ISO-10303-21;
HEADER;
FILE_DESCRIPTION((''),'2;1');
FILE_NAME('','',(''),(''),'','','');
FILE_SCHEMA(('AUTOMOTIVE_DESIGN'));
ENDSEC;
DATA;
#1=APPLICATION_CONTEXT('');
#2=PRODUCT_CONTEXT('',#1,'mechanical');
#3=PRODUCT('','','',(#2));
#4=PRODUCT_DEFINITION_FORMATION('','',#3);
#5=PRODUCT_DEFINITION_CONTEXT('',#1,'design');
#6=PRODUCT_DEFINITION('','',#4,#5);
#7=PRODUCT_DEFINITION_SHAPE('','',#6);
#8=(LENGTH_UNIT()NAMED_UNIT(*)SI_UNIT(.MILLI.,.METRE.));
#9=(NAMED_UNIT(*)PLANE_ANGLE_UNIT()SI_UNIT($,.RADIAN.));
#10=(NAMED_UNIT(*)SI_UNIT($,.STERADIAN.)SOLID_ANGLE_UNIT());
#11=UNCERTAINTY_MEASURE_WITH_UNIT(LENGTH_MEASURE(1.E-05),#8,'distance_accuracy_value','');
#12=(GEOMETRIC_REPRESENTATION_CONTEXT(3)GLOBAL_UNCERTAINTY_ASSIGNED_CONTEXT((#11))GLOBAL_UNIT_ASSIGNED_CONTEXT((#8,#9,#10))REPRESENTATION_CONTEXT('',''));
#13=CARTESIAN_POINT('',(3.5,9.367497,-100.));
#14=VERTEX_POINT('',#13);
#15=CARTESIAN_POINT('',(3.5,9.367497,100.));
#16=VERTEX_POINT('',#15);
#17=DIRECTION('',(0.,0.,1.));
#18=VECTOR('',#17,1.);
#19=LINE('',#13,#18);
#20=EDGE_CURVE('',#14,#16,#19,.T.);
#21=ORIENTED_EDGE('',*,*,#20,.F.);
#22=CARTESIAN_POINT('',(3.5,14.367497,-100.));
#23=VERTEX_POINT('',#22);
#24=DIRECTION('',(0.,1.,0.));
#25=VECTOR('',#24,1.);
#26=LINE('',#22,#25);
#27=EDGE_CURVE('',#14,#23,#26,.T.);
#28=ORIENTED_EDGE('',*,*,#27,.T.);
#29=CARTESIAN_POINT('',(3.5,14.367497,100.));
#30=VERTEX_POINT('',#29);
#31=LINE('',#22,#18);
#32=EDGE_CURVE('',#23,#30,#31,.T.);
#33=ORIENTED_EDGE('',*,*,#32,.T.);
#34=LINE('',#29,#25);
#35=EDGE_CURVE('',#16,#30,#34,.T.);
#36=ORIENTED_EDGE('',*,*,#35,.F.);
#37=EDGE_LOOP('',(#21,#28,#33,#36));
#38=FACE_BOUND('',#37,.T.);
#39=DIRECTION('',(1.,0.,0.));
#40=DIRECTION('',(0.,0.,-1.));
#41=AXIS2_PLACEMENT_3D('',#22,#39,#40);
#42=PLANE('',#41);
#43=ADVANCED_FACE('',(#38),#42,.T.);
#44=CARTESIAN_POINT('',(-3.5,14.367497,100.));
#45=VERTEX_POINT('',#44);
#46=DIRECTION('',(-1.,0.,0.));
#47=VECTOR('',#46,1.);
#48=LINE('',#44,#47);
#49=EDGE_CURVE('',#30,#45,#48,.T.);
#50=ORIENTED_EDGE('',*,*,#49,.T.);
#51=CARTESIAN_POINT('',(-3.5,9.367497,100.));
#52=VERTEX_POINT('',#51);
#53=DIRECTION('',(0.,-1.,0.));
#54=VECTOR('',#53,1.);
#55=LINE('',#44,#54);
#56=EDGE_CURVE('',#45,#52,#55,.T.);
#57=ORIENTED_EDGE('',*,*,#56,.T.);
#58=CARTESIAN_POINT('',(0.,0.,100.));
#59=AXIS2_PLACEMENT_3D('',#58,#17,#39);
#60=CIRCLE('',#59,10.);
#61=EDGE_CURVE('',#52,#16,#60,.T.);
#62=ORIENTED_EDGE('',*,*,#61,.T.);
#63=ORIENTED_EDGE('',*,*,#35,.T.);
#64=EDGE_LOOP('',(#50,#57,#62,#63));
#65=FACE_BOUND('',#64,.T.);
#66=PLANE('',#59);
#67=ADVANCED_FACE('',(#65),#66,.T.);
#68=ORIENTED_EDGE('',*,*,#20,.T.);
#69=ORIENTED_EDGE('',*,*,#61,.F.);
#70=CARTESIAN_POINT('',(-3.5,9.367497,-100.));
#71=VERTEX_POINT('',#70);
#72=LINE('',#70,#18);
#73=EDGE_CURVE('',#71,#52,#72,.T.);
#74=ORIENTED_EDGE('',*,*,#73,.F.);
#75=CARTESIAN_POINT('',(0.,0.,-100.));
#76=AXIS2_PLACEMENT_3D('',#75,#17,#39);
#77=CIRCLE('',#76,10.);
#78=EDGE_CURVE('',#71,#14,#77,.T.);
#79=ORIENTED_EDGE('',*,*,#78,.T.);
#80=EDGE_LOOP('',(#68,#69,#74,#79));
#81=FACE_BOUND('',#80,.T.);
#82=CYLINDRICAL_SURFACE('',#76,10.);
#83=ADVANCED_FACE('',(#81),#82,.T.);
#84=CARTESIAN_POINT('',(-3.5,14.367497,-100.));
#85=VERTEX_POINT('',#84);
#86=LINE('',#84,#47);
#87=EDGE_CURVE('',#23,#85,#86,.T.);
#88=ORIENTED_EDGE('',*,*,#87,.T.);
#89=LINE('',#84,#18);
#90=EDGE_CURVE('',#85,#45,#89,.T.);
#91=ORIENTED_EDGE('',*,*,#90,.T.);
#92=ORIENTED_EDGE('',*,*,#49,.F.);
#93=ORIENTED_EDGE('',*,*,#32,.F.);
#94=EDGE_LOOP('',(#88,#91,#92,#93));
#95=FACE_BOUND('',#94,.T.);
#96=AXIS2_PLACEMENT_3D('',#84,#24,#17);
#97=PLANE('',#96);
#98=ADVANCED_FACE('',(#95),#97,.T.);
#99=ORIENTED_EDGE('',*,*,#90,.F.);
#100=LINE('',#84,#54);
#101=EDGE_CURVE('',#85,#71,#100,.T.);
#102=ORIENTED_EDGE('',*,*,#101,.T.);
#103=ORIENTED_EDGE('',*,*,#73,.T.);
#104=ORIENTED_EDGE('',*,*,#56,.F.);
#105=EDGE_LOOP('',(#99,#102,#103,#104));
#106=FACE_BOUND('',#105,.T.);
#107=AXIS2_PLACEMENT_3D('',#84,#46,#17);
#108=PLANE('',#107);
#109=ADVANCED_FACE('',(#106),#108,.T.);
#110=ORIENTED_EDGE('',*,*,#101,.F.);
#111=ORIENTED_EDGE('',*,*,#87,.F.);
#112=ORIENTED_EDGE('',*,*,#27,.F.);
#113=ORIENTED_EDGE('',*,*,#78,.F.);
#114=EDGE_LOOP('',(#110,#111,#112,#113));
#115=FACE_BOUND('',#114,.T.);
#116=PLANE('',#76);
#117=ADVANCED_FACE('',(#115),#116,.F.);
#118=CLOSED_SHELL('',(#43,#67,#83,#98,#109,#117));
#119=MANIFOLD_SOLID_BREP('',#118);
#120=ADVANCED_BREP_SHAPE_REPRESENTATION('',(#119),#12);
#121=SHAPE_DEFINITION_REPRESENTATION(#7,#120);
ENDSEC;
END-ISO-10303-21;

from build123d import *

# Parameters (mm, degrees)
SALIENTE_EXTRUIR1_DEPTH = 100


with BuildPart() as part:
    # Croquis1 → Saliente-Extruir1 (new, symmetric)
    with BuildSketch(Plane.XY):
        with BuildLine():
            Line((-3.5, 14.367496998), (3.5, 14.367496998))
            Line((3.5, 14.367496998), (3.5, 9.367496998))
            ThreePointArc((3.5, 9.367496998), (0, -10), (-3.5, 9.367496998))
            Line((-3.5, 9.367496998), (-3.5, 14.367496998))
        make_face()
    extrude(amount=SALIENTE_EXTRUIR1_DEPTH, both=True)


solid = part.part
